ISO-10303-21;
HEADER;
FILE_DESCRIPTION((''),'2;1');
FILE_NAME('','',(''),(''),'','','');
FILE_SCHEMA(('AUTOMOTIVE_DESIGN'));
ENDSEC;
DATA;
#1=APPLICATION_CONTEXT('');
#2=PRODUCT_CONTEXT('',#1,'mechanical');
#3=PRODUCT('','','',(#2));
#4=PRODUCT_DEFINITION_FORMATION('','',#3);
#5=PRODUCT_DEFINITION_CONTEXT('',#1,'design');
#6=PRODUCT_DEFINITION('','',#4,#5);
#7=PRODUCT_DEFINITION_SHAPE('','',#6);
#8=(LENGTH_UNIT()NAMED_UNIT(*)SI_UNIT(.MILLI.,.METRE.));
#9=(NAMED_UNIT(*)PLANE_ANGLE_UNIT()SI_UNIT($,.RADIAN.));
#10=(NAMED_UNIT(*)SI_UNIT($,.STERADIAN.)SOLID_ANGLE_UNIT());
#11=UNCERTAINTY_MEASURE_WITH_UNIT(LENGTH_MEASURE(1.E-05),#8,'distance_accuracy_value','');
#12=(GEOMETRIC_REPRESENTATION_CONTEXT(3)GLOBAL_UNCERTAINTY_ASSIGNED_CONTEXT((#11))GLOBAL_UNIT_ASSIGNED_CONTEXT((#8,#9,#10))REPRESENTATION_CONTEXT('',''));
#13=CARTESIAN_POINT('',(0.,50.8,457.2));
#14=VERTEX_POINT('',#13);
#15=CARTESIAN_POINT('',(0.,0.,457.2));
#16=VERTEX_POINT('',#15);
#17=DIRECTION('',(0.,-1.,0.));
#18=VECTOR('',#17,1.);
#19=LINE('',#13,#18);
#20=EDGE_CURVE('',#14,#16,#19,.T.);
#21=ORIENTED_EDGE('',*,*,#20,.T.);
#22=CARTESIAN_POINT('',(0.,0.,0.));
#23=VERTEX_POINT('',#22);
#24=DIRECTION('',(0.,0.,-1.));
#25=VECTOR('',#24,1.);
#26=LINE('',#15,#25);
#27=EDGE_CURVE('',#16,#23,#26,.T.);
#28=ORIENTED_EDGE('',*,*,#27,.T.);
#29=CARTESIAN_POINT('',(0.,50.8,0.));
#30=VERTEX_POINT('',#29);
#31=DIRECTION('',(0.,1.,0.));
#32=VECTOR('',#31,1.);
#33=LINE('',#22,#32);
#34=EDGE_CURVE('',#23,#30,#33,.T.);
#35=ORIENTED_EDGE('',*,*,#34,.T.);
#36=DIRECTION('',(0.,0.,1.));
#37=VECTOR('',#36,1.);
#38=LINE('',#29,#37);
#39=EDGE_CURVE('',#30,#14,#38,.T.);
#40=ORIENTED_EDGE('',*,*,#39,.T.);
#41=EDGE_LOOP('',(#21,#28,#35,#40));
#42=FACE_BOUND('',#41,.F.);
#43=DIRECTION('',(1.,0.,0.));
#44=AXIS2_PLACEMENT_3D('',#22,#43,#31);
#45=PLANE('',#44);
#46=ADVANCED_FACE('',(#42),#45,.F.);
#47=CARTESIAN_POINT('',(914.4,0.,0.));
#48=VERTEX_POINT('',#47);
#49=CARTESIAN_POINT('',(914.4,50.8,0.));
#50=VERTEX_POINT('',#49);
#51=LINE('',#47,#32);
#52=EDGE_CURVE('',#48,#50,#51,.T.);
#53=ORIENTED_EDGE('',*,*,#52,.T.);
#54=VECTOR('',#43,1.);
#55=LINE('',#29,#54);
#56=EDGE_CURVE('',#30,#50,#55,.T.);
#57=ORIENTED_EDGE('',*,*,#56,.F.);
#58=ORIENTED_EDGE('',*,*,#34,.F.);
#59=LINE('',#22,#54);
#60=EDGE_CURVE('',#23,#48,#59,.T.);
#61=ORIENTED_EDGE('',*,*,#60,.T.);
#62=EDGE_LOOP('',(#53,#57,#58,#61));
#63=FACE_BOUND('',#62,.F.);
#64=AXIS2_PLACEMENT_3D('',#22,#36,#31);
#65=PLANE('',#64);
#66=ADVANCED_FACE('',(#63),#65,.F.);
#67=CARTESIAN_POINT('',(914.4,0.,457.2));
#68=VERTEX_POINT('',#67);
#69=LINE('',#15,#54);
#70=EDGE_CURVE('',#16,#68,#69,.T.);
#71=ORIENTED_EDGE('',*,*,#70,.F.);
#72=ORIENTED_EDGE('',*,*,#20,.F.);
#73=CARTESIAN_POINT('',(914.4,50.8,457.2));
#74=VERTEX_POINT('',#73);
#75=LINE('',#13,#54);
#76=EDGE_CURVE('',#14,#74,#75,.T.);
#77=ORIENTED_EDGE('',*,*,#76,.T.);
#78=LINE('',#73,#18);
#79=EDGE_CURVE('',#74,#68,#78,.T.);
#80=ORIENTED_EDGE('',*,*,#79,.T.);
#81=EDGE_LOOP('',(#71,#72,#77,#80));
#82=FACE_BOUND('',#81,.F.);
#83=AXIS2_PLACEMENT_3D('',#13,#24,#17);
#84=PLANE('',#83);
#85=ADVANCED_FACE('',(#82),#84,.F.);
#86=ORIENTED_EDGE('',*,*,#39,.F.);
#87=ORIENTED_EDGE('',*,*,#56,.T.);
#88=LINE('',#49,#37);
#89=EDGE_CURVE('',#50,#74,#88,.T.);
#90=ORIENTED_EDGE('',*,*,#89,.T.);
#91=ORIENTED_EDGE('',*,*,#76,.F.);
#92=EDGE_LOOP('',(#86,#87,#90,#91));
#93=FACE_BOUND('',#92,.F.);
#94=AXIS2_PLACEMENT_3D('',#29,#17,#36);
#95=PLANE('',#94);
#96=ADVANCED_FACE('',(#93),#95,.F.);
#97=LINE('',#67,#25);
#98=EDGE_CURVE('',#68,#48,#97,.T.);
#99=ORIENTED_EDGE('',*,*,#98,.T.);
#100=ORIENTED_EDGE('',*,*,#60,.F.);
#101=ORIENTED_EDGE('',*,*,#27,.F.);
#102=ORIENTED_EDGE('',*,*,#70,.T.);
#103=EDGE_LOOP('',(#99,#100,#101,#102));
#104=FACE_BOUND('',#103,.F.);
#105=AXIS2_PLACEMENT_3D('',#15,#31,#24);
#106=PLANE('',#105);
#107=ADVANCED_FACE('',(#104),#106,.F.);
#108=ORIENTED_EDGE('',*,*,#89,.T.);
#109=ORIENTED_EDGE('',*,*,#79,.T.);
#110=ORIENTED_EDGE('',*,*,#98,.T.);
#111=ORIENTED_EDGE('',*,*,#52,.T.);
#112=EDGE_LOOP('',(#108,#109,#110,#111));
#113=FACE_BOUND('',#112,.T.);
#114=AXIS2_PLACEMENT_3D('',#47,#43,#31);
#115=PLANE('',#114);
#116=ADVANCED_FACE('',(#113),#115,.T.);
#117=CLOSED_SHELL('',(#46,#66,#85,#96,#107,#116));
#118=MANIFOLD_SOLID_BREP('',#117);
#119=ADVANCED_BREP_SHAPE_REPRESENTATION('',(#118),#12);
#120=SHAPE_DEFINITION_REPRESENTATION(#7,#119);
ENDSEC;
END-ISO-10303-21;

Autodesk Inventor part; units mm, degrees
ref_plane "YZ Plane" through (0, 0, 0) normal (1, 0, 0) x (0, 1, 0)
ref_plane "XZ Plane" through (0, 0, 0) normal (0, 1, 0) x (-1, 0, 0)
ref_plane "XY Plane" through (0, 0, 0) normal (0, 0, 1) x (1, 0, 0)
sketch "Sketch1" plane through (0, 0, 0) normal (1, 0, 0) x (0, 1, 0)
  line L0 (0, 0) -> (50.8, 0)
  line L1 (50.8, 0) -> (50.8, 457.2)
  line L2 (50.8, 457.2) -> (0, 457.2)
  line L3 (0, 457.2) -> (0, 0)
  dimension "d0" = 50.8
  dimension "d1" = 457.2
extrude "Extrusion1" add sketch "Sketch1" along normal blind 914.4
properties part number "2x18x36-34" material "Granite, Cut, Polished"
